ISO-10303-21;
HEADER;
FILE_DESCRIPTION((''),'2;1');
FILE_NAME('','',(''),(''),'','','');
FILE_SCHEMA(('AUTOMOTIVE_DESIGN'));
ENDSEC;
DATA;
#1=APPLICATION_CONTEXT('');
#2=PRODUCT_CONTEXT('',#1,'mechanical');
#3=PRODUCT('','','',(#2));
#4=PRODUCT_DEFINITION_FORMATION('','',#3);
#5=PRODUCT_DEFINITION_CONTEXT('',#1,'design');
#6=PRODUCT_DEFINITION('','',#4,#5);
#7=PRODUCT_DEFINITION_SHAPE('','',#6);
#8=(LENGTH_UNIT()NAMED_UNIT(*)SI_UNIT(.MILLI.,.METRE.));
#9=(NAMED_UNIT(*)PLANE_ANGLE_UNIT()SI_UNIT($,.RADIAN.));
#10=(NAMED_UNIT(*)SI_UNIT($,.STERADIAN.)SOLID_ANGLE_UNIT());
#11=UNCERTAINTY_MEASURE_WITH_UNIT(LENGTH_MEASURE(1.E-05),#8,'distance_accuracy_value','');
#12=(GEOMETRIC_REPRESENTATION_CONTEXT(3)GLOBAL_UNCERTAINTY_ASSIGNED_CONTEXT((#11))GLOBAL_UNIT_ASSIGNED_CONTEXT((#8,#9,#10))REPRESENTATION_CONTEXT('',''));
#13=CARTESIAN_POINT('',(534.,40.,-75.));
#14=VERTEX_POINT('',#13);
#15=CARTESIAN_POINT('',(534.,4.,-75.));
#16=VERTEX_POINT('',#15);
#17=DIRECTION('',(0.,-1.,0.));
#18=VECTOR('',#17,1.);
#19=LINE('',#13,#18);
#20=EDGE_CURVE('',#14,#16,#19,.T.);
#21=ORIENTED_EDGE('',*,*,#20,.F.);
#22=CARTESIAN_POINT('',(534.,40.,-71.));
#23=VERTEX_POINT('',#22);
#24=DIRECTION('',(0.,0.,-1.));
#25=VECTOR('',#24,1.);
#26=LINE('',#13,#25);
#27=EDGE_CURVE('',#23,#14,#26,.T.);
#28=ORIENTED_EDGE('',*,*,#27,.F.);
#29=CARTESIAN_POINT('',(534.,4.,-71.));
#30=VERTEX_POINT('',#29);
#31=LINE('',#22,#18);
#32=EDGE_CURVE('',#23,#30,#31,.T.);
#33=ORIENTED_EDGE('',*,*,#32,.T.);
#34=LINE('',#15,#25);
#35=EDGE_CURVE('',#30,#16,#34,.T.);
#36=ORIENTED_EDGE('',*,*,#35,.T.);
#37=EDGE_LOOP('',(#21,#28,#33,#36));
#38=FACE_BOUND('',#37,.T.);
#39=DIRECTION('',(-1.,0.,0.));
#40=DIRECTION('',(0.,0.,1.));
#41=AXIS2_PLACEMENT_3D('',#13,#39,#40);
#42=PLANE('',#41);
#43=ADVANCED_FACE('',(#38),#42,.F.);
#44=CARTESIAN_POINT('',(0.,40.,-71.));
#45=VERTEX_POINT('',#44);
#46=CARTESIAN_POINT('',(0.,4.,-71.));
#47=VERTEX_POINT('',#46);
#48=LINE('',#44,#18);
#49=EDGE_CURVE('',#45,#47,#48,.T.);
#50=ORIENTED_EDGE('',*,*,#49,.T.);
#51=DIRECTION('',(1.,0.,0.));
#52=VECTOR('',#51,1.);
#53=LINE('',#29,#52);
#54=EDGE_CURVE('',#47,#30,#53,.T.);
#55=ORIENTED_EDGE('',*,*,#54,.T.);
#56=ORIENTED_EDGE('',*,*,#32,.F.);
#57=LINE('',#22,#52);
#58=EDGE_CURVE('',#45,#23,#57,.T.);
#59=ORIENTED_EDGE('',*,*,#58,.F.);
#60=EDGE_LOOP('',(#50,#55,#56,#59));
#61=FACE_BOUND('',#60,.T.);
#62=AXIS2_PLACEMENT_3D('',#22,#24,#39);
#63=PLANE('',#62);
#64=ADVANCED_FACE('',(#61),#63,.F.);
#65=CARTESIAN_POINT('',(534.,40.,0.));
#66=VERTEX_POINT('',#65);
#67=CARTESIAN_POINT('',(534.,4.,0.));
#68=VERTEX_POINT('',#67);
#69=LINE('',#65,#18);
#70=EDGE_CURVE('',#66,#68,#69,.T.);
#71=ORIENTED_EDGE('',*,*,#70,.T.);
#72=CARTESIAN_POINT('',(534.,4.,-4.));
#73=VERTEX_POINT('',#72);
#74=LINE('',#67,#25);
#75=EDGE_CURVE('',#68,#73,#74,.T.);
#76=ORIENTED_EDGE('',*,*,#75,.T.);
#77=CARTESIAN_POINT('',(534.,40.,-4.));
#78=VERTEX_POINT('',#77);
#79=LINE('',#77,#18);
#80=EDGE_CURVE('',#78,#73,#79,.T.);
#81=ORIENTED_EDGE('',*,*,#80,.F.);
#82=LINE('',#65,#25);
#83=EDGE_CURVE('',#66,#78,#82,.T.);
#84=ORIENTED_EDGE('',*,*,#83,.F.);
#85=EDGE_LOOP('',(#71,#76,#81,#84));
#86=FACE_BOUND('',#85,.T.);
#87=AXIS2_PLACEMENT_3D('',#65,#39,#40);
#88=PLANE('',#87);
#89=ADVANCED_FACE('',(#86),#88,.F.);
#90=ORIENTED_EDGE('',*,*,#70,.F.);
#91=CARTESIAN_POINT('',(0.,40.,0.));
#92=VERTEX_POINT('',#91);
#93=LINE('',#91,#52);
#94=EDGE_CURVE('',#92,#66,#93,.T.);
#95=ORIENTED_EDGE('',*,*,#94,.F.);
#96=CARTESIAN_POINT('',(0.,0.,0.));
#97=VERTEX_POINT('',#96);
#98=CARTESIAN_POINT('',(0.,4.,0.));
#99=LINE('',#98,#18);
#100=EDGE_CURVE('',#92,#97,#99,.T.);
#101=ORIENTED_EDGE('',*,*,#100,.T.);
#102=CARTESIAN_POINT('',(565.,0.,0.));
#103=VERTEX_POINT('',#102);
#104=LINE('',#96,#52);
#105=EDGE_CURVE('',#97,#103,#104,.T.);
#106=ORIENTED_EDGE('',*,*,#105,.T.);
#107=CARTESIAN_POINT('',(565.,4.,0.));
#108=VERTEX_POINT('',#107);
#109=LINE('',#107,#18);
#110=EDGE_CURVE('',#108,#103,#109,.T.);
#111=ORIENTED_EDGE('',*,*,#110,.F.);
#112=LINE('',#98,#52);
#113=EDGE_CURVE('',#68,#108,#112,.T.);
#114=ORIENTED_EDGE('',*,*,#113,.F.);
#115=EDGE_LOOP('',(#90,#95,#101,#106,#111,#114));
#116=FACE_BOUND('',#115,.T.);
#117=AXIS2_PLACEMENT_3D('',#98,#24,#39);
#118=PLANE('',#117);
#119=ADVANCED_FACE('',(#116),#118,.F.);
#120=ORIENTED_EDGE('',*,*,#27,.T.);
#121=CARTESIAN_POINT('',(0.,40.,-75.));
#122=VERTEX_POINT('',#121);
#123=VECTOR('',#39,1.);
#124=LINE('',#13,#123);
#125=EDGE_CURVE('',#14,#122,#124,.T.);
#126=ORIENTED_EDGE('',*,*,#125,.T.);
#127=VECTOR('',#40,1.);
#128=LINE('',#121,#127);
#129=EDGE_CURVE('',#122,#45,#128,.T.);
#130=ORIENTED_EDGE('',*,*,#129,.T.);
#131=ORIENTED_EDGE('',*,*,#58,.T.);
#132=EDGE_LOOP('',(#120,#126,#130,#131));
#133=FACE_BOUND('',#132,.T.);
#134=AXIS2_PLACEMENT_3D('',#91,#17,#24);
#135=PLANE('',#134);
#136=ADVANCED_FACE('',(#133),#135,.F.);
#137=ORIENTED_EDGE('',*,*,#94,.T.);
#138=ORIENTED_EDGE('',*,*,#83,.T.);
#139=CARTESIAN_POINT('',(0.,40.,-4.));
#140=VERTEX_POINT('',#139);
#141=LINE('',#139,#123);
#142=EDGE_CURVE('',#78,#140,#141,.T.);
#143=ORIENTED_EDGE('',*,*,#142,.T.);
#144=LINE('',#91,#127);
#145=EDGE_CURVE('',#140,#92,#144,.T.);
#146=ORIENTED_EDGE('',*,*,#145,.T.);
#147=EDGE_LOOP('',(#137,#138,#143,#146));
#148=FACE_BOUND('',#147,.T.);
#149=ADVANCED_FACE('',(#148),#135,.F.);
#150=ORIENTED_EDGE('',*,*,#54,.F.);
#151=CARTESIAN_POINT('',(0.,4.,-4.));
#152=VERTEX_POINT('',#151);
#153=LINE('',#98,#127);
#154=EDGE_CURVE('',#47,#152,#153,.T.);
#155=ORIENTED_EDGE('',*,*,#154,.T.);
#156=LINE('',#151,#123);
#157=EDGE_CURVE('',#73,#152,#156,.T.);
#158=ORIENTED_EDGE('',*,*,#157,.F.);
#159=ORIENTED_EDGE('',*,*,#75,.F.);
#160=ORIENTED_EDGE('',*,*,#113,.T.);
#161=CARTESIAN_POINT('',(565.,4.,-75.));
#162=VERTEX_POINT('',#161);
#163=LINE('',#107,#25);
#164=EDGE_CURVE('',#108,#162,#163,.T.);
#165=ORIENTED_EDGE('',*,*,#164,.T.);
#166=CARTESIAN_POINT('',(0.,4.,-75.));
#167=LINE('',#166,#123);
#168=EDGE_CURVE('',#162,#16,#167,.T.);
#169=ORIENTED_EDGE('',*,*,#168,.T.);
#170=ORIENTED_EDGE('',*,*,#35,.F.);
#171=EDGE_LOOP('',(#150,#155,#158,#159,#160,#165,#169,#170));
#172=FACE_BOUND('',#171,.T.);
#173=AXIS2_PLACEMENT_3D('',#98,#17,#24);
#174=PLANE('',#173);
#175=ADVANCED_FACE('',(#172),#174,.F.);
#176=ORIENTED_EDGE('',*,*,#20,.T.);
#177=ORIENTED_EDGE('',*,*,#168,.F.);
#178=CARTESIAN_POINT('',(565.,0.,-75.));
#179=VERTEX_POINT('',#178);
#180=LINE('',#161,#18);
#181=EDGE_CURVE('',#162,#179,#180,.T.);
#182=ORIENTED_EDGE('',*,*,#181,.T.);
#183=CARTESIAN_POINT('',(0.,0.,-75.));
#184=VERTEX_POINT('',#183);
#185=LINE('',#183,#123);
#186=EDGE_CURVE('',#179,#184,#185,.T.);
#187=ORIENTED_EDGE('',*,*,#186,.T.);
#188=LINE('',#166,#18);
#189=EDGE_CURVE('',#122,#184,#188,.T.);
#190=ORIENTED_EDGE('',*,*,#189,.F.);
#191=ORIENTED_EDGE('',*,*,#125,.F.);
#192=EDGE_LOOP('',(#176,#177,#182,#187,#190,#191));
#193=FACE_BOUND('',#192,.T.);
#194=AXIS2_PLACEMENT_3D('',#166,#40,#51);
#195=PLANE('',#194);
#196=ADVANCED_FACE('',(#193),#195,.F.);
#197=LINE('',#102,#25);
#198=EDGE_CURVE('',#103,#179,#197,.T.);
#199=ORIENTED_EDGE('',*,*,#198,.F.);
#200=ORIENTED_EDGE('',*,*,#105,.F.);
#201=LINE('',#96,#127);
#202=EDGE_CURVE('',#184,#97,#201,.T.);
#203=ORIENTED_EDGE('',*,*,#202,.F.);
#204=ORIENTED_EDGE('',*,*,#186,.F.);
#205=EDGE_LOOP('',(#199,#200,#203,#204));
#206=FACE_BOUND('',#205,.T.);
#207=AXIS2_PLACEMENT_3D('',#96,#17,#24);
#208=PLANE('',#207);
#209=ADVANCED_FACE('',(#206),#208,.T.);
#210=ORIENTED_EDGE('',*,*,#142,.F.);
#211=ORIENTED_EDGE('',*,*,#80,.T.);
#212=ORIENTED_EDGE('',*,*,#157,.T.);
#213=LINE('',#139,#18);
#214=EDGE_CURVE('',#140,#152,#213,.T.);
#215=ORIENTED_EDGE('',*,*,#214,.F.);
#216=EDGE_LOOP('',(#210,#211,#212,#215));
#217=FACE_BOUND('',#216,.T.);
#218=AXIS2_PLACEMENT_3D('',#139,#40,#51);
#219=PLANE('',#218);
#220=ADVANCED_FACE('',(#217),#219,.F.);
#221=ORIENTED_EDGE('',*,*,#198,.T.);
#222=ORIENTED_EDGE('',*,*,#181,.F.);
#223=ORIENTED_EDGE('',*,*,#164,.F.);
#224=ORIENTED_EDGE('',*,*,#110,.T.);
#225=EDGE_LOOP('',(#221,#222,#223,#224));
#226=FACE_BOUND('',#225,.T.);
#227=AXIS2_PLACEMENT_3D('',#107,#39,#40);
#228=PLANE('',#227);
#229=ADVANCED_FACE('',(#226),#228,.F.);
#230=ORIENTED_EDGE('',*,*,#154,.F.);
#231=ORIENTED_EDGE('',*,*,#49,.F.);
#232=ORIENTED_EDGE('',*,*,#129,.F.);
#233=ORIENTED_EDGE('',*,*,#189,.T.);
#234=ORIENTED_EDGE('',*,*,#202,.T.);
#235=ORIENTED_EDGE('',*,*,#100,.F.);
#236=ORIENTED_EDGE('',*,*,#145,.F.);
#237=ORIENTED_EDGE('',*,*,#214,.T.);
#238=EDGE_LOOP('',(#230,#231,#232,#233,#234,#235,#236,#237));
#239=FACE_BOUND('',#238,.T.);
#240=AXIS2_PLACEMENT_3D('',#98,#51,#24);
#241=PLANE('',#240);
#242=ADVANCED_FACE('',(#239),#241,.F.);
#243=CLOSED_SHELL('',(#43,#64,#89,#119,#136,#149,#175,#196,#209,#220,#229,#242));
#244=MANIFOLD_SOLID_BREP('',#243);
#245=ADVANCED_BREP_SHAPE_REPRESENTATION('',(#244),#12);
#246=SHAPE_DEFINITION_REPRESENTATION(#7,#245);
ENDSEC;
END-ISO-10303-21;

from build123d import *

# Parameters (mm, degrees)
SKETCH_1_W      = 565
SKETCH_1_H      = 75
EXTRUDE_1_DEPTH = 4
SKETCH_2_W      = 534
SKETCH_2_H      = 4
EXTRUDE_2_DEPTH = 36


with BuildPart() as part:
    # 스케치1 → 보스-돌출1 (new body)
    with BuildSketch(Plane(origin=(0, 0, 0), x_dir=(1, 0, 0), z_dir=(0, 1, 0))):
        with Locations((282.5, 37.5)):
            Rectangle(SKETCH_1_W, SKETCH_1_H)
    extrude(amount=EXTRUDE_1_DEPTH)

    # 스케치2 → 보스-돌출2 (add)
    with BuildSketch(Plane(origin=(0, 4, 0), x_dir=(1, 0, 0), z_dir=(0, 1, 0))):
        with Locations((267, 2)):
            Rectangle(SKETCH_2_W, SKETCH_2_H)
        with Locations((267, 73)):
            Rectangle(SKETCH_2_W, SKETCH_2_H)
    extrude(amount=EXTRUDE_2_DEPTH)


solid = part.part
